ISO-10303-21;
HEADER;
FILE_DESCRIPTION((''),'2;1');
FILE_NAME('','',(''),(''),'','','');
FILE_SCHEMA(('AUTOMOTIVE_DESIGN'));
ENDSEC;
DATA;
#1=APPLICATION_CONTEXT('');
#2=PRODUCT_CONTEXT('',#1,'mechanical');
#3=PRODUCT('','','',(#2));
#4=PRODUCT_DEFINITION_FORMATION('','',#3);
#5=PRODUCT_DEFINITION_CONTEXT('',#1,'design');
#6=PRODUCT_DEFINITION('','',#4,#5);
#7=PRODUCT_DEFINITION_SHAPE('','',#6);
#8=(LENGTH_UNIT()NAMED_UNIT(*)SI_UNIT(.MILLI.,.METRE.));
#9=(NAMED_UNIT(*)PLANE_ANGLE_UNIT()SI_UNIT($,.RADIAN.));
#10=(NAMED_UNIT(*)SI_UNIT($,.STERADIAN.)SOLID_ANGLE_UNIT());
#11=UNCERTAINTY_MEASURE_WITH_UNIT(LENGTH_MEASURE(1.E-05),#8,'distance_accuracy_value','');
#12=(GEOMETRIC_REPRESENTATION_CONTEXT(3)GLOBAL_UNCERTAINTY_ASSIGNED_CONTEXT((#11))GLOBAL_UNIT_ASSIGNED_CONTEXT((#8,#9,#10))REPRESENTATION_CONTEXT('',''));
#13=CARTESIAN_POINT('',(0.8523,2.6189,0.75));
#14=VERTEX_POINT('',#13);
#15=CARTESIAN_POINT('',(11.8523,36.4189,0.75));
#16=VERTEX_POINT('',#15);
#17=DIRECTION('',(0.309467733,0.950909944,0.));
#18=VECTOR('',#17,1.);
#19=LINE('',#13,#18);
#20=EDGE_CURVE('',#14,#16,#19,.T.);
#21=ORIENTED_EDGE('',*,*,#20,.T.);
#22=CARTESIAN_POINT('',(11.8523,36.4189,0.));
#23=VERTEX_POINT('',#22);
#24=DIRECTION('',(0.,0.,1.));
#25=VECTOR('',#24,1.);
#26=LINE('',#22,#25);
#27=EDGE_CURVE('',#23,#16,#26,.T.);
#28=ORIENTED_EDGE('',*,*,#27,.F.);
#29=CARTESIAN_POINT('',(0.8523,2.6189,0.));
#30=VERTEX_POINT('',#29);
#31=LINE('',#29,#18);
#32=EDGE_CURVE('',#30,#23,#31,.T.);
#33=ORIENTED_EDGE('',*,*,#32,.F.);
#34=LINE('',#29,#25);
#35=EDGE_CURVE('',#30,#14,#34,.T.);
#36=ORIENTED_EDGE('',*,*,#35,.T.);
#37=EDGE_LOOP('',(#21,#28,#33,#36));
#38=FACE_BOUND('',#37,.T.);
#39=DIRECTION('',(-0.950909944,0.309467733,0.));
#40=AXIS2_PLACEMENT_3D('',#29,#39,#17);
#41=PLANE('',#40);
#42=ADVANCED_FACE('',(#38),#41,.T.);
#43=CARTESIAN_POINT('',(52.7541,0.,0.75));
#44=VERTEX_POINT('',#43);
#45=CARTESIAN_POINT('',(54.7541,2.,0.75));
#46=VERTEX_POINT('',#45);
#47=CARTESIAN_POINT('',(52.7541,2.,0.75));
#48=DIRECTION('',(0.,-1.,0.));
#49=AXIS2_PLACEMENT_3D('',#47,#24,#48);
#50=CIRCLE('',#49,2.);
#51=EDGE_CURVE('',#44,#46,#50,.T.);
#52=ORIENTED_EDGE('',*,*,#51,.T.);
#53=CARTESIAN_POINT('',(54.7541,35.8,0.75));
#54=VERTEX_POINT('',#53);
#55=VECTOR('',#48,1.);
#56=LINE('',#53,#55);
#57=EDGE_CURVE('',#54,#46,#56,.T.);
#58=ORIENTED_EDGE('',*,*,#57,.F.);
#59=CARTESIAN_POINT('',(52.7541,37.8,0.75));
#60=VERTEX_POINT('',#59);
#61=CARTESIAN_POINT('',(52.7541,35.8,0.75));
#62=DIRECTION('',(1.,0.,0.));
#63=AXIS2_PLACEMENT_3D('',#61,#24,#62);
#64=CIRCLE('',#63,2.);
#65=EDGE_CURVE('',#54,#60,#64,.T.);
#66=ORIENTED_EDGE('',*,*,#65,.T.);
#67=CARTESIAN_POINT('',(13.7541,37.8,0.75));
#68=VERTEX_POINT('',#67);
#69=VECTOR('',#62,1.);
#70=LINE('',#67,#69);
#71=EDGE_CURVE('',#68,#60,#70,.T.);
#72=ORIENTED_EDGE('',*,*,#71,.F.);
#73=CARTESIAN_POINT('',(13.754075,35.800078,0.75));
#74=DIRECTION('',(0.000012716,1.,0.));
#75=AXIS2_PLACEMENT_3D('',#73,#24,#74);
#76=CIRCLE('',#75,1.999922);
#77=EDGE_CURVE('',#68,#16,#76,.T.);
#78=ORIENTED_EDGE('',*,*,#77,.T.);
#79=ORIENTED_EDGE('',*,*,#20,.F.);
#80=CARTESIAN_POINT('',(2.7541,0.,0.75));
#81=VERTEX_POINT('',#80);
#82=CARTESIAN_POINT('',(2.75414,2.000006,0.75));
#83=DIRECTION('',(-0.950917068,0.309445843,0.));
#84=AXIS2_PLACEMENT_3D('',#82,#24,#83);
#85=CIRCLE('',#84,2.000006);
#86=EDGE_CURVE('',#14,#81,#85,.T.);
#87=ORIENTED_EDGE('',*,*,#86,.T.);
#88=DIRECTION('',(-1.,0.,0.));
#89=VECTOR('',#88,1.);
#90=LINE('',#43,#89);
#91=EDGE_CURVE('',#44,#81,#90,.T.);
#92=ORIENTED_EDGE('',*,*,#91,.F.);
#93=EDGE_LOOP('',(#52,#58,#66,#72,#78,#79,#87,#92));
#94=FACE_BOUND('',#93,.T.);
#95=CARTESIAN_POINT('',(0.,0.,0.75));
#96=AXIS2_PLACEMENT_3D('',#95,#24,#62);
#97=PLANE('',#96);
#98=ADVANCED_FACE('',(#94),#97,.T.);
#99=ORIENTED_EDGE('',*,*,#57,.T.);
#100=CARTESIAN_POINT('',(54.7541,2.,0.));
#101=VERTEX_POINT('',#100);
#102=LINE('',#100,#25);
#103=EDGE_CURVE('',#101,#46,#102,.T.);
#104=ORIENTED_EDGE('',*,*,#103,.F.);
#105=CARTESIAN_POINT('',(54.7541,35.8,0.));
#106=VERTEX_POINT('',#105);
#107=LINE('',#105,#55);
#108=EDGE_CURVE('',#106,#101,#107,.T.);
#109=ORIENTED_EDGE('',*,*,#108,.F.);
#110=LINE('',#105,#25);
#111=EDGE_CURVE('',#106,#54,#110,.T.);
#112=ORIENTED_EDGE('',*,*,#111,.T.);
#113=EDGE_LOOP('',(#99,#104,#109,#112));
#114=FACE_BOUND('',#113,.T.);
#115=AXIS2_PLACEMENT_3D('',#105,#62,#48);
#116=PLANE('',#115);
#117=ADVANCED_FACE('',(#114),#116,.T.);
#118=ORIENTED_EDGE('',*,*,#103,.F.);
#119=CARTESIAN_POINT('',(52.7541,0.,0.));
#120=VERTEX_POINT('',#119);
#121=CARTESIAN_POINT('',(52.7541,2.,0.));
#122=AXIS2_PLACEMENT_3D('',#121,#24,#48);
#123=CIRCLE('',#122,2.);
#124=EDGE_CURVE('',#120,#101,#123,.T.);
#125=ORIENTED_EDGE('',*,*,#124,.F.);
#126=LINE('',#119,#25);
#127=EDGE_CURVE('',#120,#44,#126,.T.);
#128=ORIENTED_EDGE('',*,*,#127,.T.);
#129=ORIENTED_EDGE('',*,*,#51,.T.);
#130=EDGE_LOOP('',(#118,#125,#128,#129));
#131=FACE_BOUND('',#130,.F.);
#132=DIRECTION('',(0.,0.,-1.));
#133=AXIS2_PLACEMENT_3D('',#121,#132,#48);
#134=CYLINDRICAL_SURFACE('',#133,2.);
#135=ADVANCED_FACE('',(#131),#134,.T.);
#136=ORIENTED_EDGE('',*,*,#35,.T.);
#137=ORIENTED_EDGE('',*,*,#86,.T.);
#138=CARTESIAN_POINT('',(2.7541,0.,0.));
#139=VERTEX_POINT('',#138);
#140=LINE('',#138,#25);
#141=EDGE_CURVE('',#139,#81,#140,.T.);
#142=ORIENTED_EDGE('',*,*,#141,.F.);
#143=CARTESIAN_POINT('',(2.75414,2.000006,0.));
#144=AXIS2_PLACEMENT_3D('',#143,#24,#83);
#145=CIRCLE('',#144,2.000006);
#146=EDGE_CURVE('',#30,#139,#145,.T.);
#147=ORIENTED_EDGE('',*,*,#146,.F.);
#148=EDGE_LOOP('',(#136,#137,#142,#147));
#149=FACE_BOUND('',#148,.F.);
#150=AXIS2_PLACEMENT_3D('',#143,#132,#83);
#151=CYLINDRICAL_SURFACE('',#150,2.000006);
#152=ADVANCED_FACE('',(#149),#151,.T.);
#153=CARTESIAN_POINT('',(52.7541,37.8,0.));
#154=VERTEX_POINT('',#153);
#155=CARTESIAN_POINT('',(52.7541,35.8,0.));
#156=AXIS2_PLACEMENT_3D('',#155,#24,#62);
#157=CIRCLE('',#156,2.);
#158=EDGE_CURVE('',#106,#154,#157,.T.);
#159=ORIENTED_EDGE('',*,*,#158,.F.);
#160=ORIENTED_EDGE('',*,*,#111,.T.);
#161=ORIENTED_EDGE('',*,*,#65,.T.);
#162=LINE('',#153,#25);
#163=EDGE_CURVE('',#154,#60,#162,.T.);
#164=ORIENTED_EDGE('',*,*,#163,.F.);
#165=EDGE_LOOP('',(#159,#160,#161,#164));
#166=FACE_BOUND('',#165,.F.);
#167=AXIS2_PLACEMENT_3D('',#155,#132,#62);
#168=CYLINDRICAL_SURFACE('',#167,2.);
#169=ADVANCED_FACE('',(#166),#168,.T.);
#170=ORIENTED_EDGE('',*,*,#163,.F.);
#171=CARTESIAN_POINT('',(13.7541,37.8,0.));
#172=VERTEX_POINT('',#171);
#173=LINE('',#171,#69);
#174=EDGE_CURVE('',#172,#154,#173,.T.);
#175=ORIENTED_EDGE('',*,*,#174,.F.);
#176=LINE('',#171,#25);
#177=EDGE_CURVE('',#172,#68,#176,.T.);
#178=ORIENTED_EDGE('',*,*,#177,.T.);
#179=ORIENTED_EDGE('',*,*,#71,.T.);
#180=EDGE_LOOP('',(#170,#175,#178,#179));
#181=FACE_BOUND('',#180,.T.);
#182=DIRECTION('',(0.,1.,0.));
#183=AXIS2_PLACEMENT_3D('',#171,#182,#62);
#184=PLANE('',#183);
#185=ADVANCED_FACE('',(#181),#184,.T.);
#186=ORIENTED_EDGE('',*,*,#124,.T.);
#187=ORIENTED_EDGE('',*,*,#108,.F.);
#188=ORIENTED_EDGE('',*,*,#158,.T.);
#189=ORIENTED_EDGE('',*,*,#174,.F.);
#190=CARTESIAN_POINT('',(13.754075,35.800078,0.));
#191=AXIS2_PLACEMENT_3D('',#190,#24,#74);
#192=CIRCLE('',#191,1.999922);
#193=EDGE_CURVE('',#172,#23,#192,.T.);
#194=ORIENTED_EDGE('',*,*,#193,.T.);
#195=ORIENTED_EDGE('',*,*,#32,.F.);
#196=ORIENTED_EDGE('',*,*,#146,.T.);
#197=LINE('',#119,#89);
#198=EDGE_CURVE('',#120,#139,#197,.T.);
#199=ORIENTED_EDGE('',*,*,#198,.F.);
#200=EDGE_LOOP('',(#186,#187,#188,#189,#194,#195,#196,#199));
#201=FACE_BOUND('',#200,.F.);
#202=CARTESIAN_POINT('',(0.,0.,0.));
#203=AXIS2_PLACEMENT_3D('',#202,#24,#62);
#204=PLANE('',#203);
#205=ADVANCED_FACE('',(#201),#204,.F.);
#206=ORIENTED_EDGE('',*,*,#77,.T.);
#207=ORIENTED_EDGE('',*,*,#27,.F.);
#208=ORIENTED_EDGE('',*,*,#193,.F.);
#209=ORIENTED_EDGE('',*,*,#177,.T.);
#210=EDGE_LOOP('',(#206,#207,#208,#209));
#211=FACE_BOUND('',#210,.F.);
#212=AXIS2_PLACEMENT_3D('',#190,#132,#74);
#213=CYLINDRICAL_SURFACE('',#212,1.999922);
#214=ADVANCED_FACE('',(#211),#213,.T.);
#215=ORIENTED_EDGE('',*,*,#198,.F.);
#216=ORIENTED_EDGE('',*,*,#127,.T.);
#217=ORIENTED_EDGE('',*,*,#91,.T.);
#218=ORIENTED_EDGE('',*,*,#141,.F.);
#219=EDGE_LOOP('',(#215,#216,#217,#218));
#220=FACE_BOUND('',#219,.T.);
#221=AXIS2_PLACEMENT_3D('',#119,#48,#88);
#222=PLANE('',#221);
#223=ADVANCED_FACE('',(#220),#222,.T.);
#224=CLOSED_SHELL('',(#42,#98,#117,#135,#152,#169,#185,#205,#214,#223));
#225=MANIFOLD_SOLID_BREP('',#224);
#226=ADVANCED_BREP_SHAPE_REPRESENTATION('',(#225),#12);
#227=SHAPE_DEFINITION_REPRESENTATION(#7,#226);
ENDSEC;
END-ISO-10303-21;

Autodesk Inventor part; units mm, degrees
ref_plane "YZ Plane" through (0, 0, 0) normal (1, 0, 0) x (0, 1, 0)
ref_plane "XZ Plane" through (0, 0, 0) normal (0, 1, 0) x (-1, 0, 0)
ref_plane "XY Plane" through (0, 0, 0) normal (0, 0, 1) x (1, 0, 0)
sketch "Boceto1" plane through (0, 0, 0) normal (0, 0, 1) x (1, 0, 0)
  line L0 (0.8523, 2.6189) -> (11.8523, 36.4189)
  line L1 (13.7541, 37.8) -> (52.7541, 37.8)
  line L2 (54.7541, 35.8) -> (54.7541, 2)
  line L3 (52.7541, 0) -> (2.7541, 0)
  arc A0 (13.7541, 37.8) -> (11.8523, 36.4189) centre (13.7541, 35.8) ccw
  arc A1 (54.7541, 35.8) -> (52.7541, 37.8) centre (52.7541, 35.8) ccw
  arc A2 (52.7541, 0) -> (54.7541, 2) centre (52.7541, 2) ccw
  arc A3 (0.8523, 2.6189) -> (2.7541, 0) centre (2.7541, 2) ccw
  point P0 (0, 0)
  point P1 (12.3018, 37.8)
  point P2 (54.7541, 37.8)
  point P3 (54.7541, 0)
  dimension "d3" = 2
  dimension "d6" = 33.8
  dimension "d7" = 39
  dimension "d8" = 50
extrude "Extrusión1" add sketch "Boceto1" along normal blind 0.75
properties part number "VentanaLateralDelantera"
